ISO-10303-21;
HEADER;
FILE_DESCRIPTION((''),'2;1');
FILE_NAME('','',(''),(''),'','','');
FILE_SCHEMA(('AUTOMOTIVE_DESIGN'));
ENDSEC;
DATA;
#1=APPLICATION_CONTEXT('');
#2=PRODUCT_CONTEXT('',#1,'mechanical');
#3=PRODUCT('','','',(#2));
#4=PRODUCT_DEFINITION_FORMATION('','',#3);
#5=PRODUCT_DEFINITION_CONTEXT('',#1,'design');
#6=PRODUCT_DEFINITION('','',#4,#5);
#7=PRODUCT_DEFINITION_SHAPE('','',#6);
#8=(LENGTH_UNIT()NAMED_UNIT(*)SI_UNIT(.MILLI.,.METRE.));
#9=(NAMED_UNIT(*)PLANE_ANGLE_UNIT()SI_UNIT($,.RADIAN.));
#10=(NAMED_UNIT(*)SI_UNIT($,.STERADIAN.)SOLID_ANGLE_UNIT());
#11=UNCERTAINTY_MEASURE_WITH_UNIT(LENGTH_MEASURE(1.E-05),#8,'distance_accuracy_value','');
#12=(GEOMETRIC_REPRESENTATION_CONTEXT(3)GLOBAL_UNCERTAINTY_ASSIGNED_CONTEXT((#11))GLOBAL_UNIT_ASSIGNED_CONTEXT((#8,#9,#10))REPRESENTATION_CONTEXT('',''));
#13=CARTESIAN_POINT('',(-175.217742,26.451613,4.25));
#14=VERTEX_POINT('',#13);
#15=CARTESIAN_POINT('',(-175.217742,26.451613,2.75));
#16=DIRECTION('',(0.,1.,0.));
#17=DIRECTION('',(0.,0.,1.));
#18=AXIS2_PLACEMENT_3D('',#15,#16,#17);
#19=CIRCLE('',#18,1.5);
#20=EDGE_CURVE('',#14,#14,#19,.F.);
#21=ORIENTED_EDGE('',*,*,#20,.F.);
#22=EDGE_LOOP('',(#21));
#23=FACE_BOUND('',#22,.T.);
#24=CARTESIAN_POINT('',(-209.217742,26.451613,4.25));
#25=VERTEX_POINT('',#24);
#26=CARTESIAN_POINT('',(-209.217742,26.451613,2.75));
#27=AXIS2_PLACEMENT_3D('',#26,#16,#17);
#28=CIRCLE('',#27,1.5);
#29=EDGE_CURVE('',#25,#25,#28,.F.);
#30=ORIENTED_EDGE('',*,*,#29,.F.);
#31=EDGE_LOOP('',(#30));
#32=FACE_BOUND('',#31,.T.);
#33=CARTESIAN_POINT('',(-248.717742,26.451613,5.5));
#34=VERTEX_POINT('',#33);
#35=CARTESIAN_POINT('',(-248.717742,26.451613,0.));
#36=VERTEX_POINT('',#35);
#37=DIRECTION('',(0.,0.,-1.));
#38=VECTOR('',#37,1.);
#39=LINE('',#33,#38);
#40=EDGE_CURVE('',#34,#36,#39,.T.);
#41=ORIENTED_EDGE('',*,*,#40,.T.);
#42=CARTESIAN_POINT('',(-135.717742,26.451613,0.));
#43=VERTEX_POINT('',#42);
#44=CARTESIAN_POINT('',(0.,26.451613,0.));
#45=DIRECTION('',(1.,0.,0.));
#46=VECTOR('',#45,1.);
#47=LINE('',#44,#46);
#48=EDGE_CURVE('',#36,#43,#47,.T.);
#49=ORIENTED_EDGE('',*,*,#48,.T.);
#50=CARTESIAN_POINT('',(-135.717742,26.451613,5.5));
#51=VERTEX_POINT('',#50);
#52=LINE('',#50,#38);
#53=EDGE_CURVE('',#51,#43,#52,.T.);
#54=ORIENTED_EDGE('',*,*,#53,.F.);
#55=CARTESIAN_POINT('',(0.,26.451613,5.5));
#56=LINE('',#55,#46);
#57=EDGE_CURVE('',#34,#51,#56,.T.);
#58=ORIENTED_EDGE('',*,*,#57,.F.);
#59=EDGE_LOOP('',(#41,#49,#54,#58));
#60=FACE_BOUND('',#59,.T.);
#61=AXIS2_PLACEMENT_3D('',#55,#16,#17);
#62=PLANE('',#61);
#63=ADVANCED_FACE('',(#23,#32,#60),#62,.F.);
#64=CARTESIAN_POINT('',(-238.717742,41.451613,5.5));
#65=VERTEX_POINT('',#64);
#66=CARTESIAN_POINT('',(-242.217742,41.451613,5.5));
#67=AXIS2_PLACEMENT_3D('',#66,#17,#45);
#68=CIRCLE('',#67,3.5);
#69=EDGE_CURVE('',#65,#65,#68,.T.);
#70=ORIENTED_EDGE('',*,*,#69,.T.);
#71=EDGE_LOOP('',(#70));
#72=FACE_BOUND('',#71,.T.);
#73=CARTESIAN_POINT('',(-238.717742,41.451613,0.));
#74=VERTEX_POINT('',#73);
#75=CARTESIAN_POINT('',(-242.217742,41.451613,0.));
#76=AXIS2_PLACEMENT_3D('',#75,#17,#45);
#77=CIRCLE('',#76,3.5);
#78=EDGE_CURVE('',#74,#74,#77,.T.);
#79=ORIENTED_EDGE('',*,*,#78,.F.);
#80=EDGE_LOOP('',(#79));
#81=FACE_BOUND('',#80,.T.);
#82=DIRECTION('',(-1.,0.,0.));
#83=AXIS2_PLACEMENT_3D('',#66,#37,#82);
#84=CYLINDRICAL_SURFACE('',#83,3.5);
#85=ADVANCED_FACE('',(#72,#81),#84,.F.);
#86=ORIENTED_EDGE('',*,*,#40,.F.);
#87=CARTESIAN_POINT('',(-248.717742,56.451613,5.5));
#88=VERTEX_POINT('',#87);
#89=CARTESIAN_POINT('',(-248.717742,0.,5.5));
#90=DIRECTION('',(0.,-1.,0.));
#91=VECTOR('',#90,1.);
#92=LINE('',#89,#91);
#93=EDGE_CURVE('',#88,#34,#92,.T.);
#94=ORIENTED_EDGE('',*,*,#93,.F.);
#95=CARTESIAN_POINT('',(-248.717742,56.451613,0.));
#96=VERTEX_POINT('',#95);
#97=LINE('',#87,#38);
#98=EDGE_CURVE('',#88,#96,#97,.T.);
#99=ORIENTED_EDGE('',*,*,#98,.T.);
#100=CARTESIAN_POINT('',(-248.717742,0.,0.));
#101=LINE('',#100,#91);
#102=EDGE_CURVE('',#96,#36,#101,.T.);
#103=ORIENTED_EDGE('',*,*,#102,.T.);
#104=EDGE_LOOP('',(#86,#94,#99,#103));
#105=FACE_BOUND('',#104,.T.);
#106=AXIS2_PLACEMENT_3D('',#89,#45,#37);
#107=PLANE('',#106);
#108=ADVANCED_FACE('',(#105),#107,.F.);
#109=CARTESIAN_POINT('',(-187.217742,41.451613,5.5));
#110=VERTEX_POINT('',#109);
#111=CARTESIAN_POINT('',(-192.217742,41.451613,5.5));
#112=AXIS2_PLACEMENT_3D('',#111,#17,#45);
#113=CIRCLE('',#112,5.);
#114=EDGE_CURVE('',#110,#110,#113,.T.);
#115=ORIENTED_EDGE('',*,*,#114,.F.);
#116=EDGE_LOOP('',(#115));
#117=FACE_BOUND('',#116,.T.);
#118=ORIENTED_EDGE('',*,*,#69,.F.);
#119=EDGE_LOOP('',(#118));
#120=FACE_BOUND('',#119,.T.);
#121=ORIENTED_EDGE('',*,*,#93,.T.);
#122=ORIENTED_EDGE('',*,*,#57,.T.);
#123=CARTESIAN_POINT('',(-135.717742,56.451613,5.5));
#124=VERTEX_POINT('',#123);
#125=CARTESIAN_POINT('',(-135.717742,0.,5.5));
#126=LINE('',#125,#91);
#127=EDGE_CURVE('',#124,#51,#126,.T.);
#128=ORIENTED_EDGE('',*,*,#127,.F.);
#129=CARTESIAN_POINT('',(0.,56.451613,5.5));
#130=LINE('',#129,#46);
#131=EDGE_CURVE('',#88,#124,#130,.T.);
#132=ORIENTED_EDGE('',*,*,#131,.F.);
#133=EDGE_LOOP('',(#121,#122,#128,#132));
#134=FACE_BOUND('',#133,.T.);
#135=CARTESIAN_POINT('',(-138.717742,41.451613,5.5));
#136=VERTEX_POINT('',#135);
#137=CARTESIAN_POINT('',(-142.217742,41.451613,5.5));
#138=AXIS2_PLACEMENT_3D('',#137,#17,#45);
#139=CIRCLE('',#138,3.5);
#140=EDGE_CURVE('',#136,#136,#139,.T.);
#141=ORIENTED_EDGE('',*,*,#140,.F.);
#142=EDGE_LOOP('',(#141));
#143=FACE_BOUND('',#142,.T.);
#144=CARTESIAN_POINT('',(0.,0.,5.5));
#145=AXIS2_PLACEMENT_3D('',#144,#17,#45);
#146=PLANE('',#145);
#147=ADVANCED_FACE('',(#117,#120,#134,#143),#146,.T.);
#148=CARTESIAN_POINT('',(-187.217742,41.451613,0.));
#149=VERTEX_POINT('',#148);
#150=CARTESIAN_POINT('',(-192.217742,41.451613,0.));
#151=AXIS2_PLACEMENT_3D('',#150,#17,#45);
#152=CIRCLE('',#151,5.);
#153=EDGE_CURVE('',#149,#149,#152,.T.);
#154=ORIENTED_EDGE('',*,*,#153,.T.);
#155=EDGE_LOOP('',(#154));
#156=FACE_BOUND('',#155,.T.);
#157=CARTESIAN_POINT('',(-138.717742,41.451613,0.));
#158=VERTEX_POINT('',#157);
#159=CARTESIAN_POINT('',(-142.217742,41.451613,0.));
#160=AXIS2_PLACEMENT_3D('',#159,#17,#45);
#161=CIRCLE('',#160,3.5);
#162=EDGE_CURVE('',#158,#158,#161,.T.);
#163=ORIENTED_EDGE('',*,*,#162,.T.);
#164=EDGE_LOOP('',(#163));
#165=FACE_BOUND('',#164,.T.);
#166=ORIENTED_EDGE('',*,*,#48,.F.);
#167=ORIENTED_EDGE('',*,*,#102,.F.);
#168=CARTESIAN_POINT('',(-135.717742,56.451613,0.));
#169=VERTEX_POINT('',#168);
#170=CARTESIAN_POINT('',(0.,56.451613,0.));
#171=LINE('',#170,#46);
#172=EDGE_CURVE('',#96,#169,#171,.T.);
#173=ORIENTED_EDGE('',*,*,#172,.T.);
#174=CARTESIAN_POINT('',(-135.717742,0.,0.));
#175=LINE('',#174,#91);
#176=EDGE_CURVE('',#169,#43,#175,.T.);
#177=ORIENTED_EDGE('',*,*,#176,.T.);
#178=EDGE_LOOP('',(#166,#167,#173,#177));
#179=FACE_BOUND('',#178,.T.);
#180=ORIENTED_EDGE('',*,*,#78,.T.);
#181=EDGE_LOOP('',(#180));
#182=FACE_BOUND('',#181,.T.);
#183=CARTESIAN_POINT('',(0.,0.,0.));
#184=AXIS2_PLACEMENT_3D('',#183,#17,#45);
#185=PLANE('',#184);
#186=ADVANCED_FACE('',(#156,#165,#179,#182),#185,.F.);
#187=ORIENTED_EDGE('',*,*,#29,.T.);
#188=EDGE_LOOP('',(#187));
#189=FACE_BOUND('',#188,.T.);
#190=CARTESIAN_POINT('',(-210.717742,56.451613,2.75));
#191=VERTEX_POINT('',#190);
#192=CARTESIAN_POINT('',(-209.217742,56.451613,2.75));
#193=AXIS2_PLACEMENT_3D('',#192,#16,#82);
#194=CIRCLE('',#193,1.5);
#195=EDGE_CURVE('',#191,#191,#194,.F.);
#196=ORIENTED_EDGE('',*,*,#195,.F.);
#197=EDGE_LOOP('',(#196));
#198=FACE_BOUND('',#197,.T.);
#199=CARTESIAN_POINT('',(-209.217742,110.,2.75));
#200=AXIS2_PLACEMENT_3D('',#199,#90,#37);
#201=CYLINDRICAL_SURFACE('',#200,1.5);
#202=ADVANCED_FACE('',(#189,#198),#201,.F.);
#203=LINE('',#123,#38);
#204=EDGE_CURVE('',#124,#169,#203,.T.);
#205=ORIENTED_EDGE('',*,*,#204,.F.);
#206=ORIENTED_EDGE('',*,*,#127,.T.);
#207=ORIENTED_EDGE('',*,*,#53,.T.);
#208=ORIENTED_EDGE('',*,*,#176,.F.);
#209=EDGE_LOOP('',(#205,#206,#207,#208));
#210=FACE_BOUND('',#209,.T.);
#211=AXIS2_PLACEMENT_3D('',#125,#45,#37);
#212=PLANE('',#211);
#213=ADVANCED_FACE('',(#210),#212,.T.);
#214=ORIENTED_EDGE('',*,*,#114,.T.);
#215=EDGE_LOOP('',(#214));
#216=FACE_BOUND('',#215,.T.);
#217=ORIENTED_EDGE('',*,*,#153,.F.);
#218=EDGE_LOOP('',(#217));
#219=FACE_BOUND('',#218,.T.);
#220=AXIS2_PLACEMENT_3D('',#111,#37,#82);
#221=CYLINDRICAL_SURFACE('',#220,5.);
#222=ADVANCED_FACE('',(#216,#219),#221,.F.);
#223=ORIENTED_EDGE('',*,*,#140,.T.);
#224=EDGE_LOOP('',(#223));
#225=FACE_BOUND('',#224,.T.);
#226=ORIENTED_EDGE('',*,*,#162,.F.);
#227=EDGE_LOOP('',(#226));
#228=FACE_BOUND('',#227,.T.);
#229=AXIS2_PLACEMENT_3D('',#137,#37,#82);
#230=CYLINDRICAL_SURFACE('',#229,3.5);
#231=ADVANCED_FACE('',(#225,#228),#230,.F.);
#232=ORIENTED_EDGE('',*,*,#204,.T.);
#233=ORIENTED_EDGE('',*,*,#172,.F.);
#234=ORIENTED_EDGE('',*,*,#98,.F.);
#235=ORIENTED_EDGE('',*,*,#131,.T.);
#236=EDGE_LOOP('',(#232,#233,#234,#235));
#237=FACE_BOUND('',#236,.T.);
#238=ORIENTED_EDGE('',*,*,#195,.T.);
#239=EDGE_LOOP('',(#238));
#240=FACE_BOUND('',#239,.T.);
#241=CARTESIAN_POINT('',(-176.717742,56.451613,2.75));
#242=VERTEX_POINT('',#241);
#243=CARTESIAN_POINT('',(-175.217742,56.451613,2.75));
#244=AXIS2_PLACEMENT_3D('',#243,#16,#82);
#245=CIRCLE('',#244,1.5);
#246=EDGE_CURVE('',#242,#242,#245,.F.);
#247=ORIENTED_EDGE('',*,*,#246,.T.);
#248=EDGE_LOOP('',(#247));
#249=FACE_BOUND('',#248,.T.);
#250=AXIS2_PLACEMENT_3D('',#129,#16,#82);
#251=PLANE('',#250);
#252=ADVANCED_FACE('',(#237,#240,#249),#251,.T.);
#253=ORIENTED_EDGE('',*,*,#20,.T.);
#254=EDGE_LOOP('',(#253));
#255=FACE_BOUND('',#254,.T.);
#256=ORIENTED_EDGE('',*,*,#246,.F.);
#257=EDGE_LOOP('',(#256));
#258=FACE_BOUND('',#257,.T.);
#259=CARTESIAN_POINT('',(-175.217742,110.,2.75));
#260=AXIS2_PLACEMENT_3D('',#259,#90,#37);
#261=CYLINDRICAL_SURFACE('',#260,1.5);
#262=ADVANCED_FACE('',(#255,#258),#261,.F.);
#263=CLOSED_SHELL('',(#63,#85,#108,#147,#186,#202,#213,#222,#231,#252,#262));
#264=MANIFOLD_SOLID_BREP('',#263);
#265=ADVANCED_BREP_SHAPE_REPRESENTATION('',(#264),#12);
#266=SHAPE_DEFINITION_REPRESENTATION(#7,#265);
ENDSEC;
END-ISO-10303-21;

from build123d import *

# Parameters (mm, degrees)
ESBO_O1_W                  = 113
ESBO_O1_H                  = 30
ESBO_O1_R                  = 5
ESBO_O1_R_2                = 3.5
RESSALTO_EXTRUS_O1_DEPTH   = 5.5
ESBO_O2_R                  = 1.5
CORTE_EXTRUS_O1_DEPTH      = 110
CORTE_EXTRUS_O1_DEPTH_BACK = 77.5


with BuildPart() as part:
    # Esboço1 → Ressalto-extrusão1 (new body)
    with BuildSketch(Plane.XY):
        with Locations((-192.217741935, 41.451612903)):
            Rectangle(ESBO_O1_W, ESBO_O1_H)
        with Locations((-192.217741935, 41.451612903)):
            Circle(ESBO_O1_R, mode=Mode.SUBTRACT)
        with Locations((-242.217741935, 41.451612903)):
            Circle(ESBO_O1_R_2, mode=Mode.SUBTRACT)
        with Locations((-142.217741935, 41.451612903)):
            Circle(ESBO_O1_R_2, mode=Mode.SUBTRACT)
    extrude(amount=RESSALTO_EXTRUS_O1_DEPTH)

    # Esboço2 → Corte-extrusão1 (cut, two sides)
    with BuildSketch(Plane(origin=(0, 0, 0), x_dir=(1, 0, 0), z_dir=(0, 1, 0))) as corte_extrus_o1_sk:
        with Locations((-209.217741935, -2.75)):
            Circle(ESBO_O2_R)
        with Locations((-175.217741935, -2.75)):
            Circle(ESBO_O2_R)
    extrude(amount=CORTE_EXTRUS_O1_DEPTH, mode=Mode.SUBTRACT)
    extrude(corte_extrus_o1_sk.sketch, amount=-CORTE_EXTRUS_O1_DEPTH_BACK, mode=Mode.SUBTRACT)


solid = part.part
